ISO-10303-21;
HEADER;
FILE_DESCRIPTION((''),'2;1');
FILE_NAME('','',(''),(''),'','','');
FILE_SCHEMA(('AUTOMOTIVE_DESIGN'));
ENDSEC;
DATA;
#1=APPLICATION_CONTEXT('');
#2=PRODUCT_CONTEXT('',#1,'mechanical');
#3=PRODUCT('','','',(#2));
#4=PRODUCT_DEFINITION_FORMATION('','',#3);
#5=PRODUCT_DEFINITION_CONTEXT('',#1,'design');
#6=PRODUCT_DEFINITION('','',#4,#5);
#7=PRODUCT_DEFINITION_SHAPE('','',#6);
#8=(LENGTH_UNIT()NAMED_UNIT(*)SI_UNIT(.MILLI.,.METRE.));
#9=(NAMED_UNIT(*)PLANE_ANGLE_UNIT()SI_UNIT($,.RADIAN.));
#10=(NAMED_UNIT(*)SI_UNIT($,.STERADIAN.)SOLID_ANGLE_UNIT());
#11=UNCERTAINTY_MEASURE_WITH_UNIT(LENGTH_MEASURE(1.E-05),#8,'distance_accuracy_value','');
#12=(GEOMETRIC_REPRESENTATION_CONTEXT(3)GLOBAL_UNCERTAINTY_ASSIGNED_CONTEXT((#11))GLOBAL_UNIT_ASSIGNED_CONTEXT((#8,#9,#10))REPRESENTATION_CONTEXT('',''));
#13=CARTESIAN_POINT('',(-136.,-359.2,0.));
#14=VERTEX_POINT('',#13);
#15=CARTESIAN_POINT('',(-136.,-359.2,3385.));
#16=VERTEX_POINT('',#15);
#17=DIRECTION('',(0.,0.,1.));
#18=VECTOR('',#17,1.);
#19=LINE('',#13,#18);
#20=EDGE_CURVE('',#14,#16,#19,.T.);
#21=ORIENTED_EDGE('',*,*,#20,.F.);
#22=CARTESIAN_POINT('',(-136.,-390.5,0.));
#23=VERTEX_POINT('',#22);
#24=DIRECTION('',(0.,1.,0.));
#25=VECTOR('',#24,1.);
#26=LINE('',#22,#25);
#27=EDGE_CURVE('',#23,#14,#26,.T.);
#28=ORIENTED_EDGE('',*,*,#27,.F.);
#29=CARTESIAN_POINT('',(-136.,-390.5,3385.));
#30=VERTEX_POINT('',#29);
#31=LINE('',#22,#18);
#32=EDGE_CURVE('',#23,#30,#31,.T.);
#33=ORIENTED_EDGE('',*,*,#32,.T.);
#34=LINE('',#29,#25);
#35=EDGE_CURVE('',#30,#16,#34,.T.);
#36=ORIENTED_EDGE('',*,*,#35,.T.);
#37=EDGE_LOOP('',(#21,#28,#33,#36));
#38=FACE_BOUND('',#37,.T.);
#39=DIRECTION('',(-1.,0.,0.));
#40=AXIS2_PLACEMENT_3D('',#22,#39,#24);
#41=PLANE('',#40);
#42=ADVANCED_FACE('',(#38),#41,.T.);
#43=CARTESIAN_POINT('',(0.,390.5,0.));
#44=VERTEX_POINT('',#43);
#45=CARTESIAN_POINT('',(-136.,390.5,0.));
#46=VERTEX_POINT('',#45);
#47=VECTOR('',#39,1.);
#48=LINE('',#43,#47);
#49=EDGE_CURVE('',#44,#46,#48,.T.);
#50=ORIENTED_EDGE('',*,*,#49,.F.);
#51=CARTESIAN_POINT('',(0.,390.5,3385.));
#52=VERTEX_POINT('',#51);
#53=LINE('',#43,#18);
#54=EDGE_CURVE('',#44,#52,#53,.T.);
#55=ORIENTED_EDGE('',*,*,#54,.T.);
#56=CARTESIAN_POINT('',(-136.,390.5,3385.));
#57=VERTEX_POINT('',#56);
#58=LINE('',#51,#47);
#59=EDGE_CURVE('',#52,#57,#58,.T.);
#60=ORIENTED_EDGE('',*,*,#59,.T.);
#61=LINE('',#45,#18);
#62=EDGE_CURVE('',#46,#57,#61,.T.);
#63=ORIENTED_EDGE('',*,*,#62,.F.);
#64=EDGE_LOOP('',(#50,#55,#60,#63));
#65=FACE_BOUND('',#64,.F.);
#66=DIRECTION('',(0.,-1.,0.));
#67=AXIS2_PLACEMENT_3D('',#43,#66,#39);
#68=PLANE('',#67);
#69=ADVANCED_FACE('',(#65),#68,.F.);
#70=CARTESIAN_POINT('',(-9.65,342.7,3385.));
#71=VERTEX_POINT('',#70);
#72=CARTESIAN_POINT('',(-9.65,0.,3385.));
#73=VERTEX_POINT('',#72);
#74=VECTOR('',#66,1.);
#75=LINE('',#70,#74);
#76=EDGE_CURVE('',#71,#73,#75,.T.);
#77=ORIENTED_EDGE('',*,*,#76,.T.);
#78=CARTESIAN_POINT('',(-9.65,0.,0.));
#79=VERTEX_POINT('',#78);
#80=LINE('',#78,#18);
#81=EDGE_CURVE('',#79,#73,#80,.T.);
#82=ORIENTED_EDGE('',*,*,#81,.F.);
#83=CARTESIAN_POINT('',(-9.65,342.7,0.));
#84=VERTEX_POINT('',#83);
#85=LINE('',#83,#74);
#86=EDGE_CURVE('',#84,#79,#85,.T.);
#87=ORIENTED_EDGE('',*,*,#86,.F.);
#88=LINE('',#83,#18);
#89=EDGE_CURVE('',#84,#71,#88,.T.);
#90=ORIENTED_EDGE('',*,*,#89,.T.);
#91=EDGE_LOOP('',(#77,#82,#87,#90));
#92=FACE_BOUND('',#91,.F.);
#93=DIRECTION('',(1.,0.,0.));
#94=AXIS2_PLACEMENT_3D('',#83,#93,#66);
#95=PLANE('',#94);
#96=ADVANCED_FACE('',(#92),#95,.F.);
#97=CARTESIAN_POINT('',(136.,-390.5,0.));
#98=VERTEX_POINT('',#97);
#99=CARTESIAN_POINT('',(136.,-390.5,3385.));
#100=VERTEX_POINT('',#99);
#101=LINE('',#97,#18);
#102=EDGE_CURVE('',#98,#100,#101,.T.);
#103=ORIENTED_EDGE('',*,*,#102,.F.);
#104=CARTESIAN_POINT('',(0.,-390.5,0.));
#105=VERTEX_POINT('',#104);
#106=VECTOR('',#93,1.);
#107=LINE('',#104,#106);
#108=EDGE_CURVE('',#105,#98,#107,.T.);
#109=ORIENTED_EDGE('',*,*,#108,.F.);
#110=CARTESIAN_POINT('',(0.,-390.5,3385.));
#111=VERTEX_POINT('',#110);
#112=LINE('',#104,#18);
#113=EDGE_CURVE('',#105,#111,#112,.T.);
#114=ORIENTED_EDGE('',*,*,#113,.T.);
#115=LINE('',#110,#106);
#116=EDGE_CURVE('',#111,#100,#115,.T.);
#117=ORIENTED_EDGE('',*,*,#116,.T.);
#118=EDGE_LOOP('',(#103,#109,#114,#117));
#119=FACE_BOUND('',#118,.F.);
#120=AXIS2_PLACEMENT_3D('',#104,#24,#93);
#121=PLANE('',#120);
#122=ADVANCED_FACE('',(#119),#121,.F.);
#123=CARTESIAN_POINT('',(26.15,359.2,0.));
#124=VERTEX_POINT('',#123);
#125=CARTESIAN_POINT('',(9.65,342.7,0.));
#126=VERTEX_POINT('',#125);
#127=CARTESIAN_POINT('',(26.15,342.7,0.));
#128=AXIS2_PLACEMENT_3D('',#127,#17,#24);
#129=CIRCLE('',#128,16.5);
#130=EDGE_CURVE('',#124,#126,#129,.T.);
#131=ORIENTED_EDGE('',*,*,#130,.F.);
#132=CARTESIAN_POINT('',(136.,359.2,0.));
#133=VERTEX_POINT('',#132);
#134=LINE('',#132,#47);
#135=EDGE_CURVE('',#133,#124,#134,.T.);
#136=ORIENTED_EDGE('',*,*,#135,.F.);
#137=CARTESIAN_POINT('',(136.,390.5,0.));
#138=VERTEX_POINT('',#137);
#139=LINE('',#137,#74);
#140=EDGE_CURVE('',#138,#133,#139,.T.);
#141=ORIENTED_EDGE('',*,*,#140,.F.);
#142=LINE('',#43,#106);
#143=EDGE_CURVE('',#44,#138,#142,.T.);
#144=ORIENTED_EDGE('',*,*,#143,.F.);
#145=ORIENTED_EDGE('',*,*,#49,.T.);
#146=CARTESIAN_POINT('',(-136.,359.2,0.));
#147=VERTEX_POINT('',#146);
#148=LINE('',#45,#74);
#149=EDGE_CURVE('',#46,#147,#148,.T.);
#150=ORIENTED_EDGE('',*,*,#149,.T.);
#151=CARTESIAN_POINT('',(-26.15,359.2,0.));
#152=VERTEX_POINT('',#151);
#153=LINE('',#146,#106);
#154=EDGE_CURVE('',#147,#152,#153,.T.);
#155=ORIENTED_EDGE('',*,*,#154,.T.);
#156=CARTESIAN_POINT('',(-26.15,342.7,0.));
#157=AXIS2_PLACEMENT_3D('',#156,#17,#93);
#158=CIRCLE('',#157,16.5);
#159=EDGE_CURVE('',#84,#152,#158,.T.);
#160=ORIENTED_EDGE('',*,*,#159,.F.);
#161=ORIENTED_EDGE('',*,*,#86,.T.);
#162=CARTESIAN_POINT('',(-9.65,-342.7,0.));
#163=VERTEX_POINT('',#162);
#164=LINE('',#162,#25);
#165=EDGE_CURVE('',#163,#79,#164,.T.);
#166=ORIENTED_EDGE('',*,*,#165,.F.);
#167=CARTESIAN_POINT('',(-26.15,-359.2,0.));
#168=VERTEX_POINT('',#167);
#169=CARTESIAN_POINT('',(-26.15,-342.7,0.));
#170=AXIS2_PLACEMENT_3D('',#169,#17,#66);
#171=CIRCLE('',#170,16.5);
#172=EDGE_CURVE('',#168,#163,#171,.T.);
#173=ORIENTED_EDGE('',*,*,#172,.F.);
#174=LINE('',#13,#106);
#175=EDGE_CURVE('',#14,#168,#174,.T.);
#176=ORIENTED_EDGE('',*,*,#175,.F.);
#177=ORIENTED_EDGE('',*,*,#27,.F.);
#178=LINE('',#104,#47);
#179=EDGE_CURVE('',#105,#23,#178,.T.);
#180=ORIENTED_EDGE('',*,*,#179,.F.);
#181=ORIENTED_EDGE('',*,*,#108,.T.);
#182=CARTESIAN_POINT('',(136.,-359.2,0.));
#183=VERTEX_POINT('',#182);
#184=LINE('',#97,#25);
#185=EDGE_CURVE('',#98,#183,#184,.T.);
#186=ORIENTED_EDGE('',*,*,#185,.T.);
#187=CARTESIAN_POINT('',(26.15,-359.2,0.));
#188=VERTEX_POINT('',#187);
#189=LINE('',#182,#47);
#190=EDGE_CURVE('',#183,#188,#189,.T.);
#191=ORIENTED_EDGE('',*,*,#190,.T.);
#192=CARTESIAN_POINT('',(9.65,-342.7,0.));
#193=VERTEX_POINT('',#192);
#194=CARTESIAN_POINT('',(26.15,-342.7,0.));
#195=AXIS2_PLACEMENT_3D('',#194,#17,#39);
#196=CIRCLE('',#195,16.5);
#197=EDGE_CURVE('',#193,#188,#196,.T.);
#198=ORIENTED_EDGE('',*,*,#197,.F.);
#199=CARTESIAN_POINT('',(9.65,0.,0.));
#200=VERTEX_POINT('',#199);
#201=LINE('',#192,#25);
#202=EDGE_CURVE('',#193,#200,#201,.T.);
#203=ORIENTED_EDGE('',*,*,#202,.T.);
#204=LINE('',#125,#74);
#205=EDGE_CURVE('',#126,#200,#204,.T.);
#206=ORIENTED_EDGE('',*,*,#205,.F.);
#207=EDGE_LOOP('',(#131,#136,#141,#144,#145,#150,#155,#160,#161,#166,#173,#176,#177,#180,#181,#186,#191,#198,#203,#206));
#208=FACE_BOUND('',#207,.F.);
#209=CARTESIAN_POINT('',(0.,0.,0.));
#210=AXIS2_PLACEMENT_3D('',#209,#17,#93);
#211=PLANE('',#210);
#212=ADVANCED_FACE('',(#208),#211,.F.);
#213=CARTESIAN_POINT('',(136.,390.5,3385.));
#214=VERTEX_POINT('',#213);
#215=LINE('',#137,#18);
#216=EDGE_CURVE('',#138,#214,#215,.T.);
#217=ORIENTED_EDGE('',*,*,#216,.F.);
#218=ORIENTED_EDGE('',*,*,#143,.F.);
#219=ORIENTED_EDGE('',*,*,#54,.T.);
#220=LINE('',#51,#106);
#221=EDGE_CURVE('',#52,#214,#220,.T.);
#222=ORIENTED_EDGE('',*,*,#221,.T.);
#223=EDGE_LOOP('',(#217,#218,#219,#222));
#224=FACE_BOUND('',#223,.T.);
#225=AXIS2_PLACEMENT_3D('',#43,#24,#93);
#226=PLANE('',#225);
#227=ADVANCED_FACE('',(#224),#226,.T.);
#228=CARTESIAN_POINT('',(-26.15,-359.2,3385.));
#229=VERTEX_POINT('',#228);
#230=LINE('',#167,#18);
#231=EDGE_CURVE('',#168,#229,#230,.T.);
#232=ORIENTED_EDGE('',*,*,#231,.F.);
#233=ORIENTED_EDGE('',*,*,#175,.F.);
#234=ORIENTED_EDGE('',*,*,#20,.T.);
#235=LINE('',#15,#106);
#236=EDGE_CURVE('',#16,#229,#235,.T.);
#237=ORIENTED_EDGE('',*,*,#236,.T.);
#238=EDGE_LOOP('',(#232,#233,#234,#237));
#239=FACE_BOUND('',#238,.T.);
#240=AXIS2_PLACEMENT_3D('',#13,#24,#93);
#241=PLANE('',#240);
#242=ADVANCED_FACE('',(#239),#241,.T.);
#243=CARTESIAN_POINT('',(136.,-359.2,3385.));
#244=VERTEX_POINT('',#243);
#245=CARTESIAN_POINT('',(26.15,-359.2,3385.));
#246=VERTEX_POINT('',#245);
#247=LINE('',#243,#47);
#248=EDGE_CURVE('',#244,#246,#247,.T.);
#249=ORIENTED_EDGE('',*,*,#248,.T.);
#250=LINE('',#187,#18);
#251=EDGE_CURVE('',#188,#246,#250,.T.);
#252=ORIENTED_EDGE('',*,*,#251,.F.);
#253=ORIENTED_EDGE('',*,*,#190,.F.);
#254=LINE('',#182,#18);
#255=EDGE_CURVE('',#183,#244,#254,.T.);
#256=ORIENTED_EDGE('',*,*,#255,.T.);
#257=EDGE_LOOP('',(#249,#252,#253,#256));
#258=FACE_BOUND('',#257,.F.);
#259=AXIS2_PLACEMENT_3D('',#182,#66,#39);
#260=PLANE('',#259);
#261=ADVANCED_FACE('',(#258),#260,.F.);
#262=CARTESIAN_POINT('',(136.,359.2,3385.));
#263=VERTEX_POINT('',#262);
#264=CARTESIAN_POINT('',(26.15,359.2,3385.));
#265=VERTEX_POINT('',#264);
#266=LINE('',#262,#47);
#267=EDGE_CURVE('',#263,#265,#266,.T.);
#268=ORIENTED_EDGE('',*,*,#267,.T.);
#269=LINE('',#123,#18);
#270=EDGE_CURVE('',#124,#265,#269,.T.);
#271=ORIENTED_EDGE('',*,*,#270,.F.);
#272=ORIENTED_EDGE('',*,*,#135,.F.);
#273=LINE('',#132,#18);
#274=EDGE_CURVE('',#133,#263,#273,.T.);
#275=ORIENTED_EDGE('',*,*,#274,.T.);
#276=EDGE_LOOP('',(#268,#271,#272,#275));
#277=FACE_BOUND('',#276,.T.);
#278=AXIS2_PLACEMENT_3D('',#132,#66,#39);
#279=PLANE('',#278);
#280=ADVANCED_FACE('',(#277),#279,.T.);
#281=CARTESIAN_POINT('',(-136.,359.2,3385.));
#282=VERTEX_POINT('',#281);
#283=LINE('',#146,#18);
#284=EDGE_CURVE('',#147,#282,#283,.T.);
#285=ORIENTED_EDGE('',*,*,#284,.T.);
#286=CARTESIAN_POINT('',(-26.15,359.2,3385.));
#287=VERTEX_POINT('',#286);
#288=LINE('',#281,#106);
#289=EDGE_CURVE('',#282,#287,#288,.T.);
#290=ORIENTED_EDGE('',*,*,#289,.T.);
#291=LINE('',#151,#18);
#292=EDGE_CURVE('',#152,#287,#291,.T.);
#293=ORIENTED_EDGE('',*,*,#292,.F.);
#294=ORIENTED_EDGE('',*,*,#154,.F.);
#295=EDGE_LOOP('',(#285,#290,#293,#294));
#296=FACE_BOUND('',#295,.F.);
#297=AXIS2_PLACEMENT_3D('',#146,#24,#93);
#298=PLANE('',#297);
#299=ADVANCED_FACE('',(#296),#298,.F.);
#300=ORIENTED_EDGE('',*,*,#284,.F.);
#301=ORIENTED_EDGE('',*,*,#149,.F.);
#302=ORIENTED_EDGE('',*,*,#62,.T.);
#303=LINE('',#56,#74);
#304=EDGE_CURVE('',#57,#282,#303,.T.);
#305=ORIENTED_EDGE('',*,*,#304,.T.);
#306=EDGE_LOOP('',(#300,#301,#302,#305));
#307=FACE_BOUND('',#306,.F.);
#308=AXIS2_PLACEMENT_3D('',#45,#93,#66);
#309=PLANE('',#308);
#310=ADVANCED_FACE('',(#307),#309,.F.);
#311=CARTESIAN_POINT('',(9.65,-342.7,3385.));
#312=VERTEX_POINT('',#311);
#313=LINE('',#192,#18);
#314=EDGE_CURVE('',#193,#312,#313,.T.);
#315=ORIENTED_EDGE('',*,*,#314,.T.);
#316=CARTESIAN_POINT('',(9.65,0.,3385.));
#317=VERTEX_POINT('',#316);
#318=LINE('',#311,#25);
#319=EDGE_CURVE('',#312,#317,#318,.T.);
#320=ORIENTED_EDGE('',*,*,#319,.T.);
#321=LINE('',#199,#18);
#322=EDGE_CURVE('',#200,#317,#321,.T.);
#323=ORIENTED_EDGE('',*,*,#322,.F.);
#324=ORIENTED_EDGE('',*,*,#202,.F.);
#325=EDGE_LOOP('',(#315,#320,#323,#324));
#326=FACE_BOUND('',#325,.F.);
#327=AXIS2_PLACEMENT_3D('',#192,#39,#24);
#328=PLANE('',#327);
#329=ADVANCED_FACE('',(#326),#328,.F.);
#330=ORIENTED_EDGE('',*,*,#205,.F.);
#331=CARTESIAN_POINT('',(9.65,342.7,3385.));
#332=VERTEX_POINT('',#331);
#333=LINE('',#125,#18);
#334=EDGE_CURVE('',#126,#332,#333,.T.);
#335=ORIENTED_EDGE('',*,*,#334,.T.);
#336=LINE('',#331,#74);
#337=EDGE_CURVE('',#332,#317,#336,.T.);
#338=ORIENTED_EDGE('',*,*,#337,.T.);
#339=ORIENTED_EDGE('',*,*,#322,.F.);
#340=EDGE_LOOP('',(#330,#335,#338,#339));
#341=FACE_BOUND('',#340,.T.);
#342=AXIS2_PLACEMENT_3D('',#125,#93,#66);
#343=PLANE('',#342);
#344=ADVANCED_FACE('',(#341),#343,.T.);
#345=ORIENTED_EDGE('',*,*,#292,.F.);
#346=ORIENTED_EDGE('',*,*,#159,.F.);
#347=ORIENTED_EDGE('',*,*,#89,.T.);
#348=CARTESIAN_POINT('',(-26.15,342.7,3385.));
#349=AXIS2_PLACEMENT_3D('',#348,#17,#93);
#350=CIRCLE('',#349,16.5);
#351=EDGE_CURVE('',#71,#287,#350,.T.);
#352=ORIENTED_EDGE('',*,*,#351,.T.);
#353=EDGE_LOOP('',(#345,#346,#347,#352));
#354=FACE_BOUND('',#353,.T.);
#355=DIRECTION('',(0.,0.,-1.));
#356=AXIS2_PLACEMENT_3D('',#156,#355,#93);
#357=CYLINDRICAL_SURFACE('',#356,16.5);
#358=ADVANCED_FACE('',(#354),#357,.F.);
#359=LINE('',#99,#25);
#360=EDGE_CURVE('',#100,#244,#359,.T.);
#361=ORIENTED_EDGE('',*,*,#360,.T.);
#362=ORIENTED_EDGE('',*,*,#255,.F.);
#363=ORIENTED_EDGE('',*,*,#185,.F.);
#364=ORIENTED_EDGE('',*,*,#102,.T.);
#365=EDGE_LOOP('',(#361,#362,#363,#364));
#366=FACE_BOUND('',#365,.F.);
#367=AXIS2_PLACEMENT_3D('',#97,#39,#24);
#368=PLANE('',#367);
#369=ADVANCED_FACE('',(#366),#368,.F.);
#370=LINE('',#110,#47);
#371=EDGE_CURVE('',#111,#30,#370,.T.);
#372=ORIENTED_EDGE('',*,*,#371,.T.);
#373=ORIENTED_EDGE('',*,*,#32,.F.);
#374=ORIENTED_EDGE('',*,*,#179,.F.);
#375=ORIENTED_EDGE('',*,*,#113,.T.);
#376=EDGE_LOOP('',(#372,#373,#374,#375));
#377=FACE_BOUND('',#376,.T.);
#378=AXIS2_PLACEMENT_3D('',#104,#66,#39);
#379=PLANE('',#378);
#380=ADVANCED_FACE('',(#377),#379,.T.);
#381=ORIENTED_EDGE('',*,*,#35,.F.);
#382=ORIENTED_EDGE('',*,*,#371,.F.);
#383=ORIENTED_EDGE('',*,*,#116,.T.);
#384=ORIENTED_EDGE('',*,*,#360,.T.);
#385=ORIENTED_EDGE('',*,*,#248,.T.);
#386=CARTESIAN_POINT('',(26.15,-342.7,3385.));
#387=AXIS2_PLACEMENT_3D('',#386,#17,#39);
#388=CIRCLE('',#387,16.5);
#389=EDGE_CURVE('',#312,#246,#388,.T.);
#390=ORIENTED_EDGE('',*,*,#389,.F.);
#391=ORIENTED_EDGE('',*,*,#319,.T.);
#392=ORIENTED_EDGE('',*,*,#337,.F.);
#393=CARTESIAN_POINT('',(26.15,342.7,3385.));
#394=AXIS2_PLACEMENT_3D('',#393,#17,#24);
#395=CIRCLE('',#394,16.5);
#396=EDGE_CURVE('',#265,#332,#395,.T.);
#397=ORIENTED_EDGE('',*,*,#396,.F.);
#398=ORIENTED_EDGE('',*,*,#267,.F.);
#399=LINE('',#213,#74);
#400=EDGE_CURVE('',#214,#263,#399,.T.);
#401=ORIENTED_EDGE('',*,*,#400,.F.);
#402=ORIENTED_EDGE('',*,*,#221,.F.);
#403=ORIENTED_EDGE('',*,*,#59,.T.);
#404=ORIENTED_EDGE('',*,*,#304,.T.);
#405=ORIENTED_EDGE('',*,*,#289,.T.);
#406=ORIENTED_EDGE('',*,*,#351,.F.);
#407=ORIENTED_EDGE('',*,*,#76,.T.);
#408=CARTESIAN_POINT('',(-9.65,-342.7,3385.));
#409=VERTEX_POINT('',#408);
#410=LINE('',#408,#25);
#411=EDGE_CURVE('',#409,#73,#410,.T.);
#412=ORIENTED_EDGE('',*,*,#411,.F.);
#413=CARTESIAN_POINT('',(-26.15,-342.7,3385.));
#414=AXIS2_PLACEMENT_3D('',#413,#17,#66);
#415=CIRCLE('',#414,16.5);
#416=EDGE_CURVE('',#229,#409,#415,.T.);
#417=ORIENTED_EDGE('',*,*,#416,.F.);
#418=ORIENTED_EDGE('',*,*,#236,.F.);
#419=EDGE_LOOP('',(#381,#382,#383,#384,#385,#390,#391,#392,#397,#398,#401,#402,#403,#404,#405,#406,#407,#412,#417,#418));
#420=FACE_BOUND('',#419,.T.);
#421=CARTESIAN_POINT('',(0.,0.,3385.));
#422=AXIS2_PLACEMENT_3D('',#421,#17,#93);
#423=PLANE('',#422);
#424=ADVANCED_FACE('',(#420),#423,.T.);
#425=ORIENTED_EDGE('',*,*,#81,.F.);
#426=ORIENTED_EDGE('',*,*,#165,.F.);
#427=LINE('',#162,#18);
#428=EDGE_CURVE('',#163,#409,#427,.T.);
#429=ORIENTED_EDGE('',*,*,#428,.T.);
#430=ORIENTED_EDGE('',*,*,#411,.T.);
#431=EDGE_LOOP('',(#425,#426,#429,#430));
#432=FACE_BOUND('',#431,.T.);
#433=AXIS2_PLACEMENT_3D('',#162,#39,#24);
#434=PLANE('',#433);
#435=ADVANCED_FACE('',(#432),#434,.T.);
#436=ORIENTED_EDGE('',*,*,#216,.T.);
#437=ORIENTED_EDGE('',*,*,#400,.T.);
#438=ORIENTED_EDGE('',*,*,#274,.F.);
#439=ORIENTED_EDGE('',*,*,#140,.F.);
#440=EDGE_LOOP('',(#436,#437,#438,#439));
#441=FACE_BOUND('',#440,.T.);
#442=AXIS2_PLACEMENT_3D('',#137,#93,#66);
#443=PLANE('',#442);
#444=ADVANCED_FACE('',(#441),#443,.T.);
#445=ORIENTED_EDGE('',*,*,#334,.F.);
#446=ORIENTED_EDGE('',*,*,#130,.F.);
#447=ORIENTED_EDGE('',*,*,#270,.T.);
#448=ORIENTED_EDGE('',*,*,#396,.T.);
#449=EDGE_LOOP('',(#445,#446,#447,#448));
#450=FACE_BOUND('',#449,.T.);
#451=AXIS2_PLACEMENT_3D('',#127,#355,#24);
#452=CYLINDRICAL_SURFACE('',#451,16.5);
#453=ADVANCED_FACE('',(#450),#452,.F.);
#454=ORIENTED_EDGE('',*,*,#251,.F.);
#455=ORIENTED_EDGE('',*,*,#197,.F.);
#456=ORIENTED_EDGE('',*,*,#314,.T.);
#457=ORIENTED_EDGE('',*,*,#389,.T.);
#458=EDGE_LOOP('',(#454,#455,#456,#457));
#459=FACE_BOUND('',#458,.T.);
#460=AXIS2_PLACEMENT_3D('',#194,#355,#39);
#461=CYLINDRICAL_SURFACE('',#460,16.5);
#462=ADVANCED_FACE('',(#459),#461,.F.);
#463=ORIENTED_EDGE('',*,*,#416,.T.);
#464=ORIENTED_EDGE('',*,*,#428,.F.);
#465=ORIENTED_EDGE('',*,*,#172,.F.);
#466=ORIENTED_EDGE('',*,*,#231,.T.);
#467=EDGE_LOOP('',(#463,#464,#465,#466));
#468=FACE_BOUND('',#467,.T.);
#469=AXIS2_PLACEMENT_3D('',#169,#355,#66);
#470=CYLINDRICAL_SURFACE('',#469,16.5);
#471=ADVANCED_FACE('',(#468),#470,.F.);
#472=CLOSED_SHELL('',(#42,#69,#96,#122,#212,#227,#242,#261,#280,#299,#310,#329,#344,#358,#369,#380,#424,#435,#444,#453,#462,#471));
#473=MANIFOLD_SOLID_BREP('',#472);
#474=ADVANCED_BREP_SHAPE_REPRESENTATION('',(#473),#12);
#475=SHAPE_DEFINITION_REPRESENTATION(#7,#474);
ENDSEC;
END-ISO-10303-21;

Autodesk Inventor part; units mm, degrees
ref_plane "YZ Plane" through (0, 0, 0) normal (1, 0, 0) x (0, 1, 0)
ref_plane "Start plane" through (0, 0, 0) normal (0, 0, 1) x (1, 0, 0)
ref_plane "End plane" through (0, 0, 3385) normal (0, 0, 1) x (1, 0, 0)
sketch "Sketch" plane through (0, 0, 0) normal (0, 0, 1) x (1, 0, 0)
  line L0 (-136, -390.5) -> (-136, -359.2)
  line L1 (-136, -359.2) -> (-26.15, -359.2)
  line L2 (-9.65, -342.7) -> (-9.65, 0)
  line L3 (-9.65, 0) -> (0, 0) construction
  line L4 (0, 0) -> (0, -390.5) construction
  line L5 (0, -390.5) -> (-136, -390.5)
  line L6 (-60, 0) -> (80, 0) construction
  line L7 (0, -60) -> (0, 80) construction
  line L8 (136, -390.5) -> (136, -359.2)
  line L9 (136, -359.2) -> (26.15, -359.2)
  line L10 (9.65, -342.7) -> (9.65, 0)
  line L11 (9.65, 0) -> (0, 0) construction
  line L12 (0, -390.5) -> (136, -390.5)
  line L13 (-136, 390.5) -> (-136, 359.2)
  line L14 (-136, 359.2) -> (-26.15, 359.2)
  line L15 (-9.65, 342.7) -> (-9.65, 0)
  line L16 (0, 390.5) -> (-136, 390.5)
  line L17 (136, 390.5) -> (136, 359.2)
  line L18 (136, 359.2) -> (26.15, 359.2)
  line L19 (0, 390.5) -> (136, 390.5)
  line L20 (9.65, 342.7) -> (9.65, 0)
  arc A0 (-9.65, 342.7) -> (-26.15, 359.2) centre (-26.15, 342.7) ccw
  arc A1 (26.15, 359.2) -> (9.65, 342.7) centre (26.15, 342.7) ccw
  arc A2 (9.65, -342.7) -> (26.15, -359.2) centre (26.15, -342.7) ccw
  arc A3 (-26.15, -359.2) -> (-9.65, -342.7) centre (-26.15, -342.7) ccw
  line L21 (0, 108) -> (0, -88) construction
  line L22 (-88, 0) -> (108, 0) construction
  point P0 (-9.65, -359.2)
  point P1 (9.65, -359.2)
  point P2 (-9.65, 359.2)
  point P3 (9.65, 359.2)
  dimension "d1" = 390.5
  dimension "d2" = 31.3
  dimension "d3" = 136
  dimension "d4" = 9.65
  dimension "d10" = 16.5
extrude "Body" add sketch "Sketch" along normal up to surface (3385 mm away) from surface at 0
sketch "Sketch4" plane through (0, 0, 0) normal (0, 0, 1) x (1, 0, 0)
  line L0 (0, 0) -> (10, 0)
ref_plane "Work Plane3" through (0, 0, 0) normal (0, -1, 0) x (1, 0, 0)
sketch "Sketch5" plane through (0, 0, 0) normal (0, -1, 0) x (1, 0, 0)
  line L0 (-2, 0) -> (12, 0) projected
  line L1 (-2, 3385) -> (12, 3385) projected
  dimension "d14" = 3385
equation "\"d1\" = 0.5 * G_H"
equation "\"d2\" = G_T1"
equation "\"d3\" = 0.5 * G_W"
equation "\"d4\" = 0.5 * G_T"
equation "\"d10\" = G_IR"
equation "\"d5\" = G_L"
equation "\"G_W\" = 272"
equation "\"G_H\" = 781"
equation "\"G_T\" = 19.3"
equation "\"G_T1\" = 31.3"
equation "\"G_IR\" = 16.5"
equation "\"G_L\" = d14"
equation "\"G_OFFSET_START\" = 0"
equation "\"G_OFFSET_END\" = 0"
equation "\"d12\" = G_OFFSET_END + B_L"
equation "\"B_L\" = 3385"
properties part number "AS 3679-1990 - 760 UB - 244 - 3385" material "Steel, Mild"
